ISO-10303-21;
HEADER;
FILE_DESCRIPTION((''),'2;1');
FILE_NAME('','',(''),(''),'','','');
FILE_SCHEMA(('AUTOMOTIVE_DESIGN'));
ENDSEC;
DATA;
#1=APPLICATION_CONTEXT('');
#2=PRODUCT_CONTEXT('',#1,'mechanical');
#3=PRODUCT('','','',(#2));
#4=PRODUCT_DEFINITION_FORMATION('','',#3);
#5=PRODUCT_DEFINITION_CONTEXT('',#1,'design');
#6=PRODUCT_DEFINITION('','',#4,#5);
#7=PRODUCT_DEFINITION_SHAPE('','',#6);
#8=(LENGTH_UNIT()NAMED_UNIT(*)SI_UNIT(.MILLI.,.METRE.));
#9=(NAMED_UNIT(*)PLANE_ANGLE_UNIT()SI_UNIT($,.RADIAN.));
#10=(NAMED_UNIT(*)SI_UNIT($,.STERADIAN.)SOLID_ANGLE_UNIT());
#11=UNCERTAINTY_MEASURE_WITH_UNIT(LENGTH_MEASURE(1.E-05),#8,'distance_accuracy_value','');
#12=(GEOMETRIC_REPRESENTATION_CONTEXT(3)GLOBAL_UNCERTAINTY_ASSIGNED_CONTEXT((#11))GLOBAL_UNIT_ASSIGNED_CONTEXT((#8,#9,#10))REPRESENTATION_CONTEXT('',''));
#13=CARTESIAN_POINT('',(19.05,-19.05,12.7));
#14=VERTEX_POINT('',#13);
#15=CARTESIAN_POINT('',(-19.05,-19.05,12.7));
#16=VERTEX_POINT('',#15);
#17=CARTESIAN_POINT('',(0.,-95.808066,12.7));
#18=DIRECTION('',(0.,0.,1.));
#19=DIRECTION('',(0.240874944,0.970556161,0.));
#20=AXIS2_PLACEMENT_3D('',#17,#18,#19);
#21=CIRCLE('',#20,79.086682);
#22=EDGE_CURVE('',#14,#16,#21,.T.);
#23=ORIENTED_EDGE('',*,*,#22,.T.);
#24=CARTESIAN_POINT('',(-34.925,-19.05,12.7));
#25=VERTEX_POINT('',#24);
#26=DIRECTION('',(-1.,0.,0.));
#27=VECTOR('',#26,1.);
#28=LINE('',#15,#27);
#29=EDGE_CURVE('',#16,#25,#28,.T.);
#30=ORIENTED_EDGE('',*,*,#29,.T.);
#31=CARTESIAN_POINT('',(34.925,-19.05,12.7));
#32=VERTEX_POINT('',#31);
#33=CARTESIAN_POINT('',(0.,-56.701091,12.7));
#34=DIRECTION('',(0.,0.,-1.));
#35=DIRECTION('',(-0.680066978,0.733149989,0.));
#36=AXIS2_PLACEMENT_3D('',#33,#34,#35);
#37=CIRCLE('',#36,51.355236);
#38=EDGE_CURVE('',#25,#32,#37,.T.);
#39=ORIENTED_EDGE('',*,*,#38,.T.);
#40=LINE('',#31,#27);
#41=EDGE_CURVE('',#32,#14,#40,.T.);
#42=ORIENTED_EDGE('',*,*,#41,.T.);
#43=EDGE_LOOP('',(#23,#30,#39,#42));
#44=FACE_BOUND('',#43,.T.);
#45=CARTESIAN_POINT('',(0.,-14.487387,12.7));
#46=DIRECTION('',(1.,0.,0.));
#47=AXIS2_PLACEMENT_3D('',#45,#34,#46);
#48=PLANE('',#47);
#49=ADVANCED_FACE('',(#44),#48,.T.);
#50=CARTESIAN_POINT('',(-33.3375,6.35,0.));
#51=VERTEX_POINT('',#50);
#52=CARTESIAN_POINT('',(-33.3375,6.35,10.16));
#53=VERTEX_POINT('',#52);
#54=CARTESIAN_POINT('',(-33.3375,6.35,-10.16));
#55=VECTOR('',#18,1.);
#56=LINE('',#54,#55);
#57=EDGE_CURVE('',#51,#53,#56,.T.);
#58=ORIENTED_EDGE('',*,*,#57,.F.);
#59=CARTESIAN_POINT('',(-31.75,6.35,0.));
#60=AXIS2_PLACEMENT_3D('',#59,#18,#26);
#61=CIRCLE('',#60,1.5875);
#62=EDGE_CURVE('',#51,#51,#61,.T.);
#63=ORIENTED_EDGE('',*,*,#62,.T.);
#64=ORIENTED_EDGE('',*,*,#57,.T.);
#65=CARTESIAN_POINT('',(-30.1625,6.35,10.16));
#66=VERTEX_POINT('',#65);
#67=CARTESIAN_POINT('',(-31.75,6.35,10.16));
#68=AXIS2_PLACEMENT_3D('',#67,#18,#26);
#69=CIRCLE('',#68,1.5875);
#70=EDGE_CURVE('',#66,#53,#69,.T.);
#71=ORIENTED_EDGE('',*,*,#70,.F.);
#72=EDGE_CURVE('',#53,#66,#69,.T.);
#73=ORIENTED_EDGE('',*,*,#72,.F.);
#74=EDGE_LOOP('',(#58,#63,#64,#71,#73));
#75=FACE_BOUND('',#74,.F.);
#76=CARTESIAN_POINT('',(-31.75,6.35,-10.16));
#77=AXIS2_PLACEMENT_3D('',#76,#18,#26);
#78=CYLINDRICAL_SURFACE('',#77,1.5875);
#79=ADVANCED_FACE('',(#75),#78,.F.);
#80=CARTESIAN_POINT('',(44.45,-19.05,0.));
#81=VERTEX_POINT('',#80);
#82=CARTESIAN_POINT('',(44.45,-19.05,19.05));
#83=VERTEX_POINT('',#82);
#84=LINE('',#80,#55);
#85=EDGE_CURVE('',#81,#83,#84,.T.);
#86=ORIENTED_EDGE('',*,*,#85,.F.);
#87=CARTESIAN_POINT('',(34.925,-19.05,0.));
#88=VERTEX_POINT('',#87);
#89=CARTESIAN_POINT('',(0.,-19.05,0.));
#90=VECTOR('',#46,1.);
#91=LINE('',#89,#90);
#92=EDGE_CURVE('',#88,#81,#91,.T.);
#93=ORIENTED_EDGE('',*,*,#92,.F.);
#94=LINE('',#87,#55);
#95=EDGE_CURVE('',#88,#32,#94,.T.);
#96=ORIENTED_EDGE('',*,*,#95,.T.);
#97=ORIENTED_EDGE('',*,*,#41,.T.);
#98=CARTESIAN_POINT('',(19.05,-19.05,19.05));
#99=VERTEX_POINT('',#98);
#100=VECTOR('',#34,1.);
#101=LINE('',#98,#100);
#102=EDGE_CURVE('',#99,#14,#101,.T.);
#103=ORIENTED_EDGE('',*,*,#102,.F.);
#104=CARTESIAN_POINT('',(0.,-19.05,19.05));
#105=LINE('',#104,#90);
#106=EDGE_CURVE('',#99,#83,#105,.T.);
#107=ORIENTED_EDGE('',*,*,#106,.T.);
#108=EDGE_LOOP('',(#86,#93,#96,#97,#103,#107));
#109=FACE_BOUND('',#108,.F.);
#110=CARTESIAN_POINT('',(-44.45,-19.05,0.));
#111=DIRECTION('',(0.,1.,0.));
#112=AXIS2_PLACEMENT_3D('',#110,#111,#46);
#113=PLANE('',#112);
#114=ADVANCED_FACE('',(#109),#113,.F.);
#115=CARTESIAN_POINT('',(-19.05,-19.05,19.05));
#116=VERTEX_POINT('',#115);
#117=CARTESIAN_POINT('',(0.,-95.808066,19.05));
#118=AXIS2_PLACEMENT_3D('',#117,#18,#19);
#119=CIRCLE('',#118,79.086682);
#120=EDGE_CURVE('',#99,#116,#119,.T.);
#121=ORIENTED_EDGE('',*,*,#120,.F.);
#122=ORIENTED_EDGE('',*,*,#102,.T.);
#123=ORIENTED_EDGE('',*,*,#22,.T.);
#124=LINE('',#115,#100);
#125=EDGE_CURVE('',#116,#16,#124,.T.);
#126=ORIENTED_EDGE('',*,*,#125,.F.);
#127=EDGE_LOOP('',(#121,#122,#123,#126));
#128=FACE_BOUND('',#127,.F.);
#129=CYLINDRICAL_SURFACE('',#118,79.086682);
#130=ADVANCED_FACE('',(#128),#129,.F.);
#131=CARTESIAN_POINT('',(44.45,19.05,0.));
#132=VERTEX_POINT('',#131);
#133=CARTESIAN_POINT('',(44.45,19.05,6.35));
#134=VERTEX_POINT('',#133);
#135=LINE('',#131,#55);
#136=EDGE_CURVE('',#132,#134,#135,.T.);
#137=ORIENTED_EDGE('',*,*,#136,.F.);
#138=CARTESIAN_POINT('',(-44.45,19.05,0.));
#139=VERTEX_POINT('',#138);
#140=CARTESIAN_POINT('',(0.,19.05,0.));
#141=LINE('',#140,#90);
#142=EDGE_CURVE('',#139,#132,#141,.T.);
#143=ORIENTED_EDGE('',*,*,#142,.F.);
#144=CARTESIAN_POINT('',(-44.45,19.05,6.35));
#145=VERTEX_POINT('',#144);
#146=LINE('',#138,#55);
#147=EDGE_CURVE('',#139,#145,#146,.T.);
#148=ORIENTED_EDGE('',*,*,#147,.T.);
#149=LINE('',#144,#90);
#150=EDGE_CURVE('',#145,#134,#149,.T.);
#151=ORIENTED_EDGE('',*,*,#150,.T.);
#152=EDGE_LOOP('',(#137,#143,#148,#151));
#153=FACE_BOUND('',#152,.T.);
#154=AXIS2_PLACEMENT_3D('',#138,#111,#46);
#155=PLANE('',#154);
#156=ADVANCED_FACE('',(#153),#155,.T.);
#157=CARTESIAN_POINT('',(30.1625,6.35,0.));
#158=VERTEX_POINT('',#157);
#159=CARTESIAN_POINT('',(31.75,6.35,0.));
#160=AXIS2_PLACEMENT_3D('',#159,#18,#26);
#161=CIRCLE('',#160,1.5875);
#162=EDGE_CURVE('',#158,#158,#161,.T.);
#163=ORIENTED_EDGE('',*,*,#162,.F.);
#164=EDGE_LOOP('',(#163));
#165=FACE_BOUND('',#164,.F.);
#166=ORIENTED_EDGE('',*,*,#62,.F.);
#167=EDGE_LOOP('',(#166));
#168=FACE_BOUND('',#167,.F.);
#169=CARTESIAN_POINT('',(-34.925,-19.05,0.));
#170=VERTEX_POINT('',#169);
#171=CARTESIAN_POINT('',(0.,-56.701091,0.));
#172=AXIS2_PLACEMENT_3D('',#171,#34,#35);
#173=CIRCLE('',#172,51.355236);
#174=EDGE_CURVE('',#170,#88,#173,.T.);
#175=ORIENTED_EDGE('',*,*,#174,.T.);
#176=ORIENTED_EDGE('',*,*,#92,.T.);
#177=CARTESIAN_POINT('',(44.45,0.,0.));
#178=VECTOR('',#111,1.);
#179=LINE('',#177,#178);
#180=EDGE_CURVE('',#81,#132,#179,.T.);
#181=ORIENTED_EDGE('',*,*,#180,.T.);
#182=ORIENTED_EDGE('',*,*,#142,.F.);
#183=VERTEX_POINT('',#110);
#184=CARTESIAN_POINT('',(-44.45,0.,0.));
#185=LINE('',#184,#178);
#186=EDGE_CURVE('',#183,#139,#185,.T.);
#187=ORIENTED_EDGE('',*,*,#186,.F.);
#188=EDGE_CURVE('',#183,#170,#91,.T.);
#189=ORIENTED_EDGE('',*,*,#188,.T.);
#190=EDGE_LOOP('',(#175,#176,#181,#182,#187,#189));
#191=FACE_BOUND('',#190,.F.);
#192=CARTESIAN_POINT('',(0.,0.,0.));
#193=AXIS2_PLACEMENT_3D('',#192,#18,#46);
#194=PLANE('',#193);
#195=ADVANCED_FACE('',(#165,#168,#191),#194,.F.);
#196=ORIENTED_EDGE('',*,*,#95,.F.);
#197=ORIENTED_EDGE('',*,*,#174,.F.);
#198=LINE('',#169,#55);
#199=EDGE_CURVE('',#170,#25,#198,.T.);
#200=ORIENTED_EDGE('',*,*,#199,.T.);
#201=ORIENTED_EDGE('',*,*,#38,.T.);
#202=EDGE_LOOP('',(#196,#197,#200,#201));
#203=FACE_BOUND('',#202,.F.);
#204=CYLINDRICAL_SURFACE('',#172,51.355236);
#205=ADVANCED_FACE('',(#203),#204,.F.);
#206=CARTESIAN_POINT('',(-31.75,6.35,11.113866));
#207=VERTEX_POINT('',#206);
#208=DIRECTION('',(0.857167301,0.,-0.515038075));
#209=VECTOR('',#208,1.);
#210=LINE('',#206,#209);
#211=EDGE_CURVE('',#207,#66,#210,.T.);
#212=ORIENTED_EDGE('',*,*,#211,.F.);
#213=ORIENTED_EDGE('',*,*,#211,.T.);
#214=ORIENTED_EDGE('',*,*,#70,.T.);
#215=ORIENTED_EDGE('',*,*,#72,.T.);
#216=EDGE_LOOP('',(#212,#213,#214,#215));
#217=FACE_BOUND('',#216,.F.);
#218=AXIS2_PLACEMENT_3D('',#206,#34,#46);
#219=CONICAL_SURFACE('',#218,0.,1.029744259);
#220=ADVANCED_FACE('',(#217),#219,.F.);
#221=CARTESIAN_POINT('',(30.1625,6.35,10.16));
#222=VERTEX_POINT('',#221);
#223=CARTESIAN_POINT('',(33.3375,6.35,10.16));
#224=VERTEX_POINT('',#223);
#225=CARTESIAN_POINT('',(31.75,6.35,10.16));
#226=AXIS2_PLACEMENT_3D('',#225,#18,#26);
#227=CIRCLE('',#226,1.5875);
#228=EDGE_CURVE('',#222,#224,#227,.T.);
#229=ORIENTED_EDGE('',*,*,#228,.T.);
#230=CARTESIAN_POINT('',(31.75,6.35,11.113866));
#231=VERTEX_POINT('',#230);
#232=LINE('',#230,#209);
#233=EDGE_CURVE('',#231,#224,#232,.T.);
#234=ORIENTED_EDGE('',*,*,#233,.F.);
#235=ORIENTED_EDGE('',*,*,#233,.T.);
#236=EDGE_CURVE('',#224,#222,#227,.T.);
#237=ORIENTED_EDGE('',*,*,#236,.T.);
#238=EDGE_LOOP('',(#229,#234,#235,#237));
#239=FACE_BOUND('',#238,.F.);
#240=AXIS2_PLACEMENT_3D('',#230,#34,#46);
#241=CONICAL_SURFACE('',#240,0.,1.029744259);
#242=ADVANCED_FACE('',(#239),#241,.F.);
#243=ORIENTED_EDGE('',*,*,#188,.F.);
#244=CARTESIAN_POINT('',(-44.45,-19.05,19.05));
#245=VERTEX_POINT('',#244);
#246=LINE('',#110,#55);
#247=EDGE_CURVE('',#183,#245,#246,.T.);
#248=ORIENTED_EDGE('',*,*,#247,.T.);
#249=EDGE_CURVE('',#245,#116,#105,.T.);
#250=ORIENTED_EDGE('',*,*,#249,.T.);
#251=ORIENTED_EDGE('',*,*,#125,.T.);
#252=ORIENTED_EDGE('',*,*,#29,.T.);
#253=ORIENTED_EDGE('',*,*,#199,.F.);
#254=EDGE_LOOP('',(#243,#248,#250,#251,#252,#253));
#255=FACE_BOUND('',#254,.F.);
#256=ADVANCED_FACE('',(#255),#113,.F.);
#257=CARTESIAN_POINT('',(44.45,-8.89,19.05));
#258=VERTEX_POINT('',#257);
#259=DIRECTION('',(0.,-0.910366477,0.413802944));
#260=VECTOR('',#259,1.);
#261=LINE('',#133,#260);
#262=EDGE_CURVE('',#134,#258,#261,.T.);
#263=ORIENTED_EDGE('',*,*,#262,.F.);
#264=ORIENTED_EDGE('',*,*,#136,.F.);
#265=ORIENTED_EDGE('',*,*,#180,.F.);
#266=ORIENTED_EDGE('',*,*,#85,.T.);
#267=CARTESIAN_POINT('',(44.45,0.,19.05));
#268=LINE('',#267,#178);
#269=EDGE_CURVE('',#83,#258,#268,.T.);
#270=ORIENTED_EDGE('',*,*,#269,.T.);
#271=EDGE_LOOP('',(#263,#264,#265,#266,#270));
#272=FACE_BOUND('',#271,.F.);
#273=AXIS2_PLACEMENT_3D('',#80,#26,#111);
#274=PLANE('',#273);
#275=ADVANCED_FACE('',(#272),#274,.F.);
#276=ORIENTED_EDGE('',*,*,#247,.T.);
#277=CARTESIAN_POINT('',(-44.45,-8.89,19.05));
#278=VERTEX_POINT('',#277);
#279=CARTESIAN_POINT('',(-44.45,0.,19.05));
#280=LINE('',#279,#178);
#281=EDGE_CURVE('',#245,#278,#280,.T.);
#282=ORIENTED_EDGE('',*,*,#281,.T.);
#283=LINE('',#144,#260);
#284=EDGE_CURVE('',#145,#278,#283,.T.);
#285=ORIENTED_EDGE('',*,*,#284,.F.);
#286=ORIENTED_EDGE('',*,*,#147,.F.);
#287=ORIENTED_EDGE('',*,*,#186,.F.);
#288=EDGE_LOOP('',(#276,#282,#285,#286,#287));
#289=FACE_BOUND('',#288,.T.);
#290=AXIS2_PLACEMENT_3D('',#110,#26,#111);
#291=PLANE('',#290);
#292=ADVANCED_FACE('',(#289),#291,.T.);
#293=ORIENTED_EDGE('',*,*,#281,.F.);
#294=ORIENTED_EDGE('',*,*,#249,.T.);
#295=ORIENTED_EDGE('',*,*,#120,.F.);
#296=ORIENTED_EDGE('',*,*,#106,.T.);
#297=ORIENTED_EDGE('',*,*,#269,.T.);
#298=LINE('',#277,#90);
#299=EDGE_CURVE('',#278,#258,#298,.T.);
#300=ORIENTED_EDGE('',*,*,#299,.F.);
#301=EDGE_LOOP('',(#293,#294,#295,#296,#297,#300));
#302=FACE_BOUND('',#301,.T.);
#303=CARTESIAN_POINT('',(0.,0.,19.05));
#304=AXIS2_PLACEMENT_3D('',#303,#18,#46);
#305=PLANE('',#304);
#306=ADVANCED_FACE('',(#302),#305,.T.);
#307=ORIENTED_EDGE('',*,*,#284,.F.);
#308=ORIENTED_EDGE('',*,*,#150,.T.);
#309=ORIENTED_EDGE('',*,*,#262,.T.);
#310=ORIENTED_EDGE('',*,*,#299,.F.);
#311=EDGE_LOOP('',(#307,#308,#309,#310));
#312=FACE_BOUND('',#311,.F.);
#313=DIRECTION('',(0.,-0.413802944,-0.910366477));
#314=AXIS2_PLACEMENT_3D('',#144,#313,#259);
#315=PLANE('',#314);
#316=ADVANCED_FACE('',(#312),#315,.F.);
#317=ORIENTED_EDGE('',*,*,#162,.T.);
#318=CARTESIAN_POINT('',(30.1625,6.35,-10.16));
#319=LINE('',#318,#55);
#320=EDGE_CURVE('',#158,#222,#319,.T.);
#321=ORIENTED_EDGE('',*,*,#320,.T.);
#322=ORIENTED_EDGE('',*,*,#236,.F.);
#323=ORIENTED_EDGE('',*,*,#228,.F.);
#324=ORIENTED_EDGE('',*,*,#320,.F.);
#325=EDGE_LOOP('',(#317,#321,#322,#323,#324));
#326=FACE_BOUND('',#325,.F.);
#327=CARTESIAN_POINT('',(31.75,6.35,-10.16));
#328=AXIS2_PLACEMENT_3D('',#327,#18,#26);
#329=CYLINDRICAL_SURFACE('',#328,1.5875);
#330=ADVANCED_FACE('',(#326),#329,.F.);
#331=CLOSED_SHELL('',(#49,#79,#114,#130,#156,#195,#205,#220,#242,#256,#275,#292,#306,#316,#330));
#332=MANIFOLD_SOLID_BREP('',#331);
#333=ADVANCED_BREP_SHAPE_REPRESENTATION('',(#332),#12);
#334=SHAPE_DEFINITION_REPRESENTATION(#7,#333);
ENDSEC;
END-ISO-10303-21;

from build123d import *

# Parameters (mm, degrees)
F0_W     = 88.9
F0_H     = 38.1
F1_DEPTH = 19.05
F3_DEPTH = 88.9
F5_DEPTH = 25.4
F7_DEPTH = 12.7
F9_D     = 3.175
F9_DEPTH = 10.16
F9_TIP   = 0.9538662327


with BuildPart() as f1:
    # F0 (on Top) → F1 (new body)
    with BuildSketch(Plane.XY):
        Rectangle(F0_W, F0_H)
    extrude(amount=F1_DEPTH)

    # F2 (on face) → F3 (cut)
    with BuildSketch(Plane(origin=(-44.45, 0, 0), x_dir=(0, -1, 0), z_dir=(-1, 0, 0))):
        Polygon((-19.05, 19.05), (-19.05, 6.35), (8.89, 19.05), align=None)
    extrude(amount=-F3_DEPTH, mode=Mode.SUBTRACT)

    # F4 (on face) → F5 (cut)
    with BuildSketch(Plane.XY.offset(19.05)):
        with BuildLine():
            ThreePointArc((19.05, -19.05), (0, -16.7213844667), (-19.05, -19.05))
            Line((-19.05, -19.05), (19.05, -19.05))
        make_face()
    extrude(amount=-F5_DEPTH, mode=Mode.SUBTRACT)

    # F6 (on face) → F7 (cut)
    with BuildSketch(Plane(origin=(0, 0, 0), x_dir=(1, 0, 0), z_dir=(0, 0, -1))):
        with BuildLine():
            ThreePointArc((-34.925, 19.05), (0, 5.3458547425), (34.925, 19.05))
            Line((34.925, 19.05), (19.05, 19.05))
            ThreePointArc((19.05, 19.05), (0, 16.7213844667), (-19.05, 19.05))
            Line((-19.05, 19.05), (-34.925, 19.05))
        make_face()
    extrude(amount=-F7_DEPTH, mode=Mode.SUBTRACT)

    # F9
    with Locations(Plane(origin=(0, 0, 0), x_dir=(1, 0, 0), z_dir=(0, 0, -1))):
        with Locations((31.75, -6.35), (-31.75, -6.35)):
            Hole(F9_D / 2, depth=F9_DEPTH)
            with Locations((0, 0, -(F9_DEPTH + F9_TIP / 2))):  # 118° drill point
                Cone(0, F9_D / 2, F9_TIP, mode=Mode.SUBTRACT)


solid = f1.part
